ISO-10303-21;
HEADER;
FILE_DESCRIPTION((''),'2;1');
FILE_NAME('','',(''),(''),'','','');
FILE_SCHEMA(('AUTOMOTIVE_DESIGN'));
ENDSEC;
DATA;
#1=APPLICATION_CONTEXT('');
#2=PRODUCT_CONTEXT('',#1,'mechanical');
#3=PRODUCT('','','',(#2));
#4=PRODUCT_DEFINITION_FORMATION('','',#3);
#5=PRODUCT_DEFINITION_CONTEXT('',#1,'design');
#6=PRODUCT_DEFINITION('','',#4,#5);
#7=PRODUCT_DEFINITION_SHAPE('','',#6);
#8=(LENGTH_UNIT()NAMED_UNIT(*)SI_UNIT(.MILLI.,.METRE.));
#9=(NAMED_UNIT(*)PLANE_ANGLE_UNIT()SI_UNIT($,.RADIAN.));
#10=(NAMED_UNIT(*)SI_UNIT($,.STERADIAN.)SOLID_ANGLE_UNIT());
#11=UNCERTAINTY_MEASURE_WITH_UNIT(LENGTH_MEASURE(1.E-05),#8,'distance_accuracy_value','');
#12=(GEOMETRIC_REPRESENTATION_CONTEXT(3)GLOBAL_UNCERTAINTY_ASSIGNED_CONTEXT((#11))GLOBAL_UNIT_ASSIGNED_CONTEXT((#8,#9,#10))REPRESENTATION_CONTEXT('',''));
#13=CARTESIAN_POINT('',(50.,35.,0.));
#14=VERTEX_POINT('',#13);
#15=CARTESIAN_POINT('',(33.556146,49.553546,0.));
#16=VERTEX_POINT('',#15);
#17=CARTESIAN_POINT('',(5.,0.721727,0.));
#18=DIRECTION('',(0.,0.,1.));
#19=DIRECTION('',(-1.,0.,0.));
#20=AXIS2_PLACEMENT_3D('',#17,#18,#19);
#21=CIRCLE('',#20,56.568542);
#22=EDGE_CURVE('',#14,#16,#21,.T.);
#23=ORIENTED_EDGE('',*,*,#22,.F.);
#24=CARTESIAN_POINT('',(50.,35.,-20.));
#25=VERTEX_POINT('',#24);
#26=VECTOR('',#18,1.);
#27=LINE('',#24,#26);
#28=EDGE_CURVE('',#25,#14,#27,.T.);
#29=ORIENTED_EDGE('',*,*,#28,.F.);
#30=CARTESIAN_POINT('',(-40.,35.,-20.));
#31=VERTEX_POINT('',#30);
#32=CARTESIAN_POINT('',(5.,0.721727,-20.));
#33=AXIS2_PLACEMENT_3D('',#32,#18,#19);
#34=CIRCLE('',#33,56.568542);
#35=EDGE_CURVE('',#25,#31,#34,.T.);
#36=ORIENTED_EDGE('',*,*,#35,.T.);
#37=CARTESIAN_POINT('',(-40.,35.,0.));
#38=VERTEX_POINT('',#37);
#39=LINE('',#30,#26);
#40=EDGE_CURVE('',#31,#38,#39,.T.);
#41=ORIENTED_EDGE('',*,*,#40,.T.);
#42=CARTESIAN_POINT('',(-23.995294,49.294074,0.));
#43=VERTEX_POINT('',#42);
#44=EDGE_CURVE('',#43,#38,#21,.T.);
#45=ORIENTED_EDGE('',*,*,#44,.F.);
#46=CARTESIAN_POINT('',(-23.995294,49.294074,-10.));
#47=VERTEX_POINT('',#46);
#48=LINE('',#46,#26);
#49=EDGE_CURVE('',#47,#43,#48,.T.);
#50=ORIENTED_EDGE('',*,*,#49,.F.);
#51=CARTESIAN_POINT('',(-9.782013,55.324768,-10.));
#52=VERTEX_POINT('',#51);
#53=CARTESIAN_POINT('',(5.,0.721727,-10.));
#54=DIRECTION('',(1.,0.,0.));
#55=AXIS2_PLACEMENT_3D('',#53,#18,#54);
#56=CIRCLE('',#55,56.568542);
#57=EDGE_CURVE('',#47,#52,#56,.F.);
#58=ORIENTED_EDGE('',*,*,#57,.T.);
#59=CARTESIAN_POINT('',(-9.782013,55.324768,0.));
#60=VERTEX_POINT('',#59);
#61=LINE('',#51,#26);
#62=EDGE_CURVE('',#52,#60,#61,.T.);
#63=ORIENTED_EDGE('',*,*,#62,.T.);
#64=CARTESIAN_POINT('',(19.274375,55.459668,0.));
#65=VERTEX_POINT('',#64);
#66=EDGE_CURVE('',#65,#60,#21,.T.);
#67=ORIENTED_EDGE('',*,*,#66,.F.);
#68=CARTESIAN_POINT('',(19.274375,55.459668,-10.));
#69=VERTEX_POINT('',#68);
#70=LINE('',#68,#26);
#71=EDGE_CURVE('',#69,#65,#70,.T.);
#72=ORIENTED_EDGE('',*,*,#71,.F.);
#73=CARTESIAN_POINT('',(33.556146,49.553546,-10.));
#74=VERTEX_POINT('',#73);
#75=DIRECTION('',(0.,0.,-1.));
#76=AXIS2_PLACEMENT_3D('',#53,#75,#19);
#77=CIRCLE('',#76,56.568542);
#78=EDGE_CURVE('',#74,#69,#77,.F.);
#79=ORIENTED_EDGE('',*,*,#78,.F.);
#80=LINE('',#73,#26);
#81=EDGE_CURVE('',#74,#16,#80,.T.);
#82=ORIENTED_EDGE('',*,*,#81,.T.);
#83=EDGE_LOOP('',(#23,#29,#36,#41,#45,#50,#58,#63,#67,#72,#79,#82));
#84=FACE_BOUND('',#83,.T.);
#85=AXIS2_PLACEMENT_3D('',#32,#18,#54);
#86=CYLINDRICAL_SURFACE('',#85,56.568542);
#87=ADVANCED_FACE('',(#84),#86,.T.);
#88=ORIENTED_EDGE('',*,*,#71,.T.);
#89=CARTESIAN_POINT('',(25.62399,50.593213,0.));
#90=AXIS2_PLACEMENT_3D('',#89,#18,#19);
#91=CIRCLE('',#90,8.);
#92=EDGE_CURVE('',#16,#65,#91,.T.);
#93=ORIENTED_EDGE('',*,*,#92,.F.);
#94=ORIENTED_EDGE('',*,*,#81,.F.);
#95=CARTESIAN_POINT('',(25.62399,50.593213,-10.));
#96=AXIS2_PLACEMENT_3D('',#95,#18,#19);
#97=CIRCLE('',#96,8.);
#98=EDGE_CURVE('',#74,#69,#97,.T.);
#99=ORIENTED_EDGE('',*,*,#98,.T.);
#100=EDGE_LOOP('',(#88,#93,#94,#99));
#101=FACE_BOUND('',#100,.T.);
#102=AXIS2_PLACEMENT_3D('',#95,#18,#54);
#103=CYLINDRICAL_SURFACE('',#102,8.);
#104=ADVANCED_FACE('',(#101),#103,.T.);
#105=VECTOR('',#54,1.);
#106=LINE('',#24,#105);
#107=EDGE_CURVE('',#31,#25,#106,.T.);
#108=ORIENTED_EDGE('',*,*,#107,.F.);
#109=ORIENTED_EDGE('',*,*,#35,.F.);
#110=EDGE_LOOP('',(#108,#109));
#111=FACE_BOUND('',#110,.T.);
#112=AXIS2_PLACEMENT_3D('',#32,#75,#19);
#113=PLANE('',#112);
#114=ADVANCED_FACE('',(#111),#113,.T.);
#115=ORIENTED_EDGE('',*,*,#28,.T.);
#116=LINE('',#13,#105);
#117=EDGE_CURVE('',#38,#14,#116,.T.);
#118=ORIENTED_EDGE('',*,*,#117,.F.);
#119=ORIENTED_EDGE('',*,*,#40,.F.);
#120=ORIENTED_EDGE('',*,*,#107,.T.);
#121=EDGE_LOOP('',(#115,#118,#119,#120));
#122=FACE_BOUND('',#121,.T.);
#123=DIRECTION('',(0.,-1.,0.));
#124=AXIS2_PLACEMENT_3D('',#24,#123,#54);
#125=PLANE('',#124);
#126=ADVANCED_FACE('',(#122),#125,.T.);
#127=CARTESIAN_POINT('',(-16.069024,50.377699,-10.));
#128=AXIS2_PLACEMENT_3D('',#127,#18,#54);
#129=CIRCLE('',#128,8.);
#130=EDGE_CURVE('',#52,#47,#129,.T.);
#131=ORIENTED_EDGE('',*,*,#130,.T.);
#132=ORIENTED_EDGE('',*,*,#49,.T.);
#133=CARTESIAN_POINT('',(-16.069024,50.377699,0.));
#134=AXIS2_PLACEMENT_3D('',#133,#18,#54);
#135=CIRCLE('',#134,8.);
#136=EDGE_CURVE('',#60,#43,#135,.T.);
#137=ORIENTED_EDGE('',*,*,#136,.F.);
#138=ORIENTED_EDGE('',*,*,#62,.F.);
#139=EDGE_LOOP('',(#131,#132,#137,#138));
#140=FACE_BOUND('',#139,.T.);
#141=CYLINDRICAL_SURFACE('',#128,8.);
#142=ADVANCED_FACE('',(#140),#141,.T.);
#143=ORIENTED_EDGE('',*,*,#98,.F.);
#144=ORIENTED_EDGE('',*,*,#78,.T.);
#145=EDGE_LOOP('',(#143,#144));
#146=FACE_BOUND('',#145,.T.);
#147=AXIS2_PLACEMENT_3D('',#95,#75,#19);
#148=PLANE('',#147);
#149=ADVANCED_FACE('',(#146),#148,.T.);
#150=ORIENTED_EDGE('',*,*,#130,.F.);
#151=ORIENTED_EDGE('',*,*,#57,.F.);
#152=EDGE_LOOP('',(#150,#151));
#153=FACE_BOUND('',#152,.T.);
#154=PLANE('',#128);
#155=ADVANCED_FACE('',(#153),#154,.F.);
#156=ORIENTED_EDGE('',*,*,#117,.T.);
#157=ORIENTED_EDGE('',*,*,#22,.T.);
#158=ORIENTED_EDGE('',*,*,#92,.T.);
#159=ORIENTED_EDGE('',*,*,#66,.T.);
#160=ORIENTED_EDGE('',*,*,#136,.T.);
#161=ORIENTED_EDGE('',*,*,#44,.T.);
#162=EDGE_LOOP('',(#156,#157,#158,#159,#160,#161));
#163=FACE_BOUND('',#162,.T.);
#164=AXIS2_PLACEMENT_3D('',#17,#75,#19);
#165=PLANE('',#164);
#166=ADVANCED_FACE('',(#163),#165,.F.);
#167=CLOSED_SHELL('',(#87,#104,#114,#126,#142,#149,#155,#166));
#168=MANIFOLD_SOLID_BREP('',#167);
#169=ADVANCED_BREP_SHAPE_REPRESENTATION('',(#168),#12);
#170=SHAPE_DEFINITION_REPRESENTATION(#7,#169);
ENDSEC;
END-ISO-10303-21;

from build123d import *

# Parameters (mm, degrees)
BOSS_EXTRUDE2_DEPTH = 20
BOSS_EXTRUDE3_DEPTH = 10


with BuildPart() as part:
    # Sketch1 → Boss-Extrude2 (new body)
    with BuildSketch(Plane.XY):
        with BuildLine():
            Line((50, 35), (-40, 35))
            ThreePointArc((-40, 35), (5, 57.290269493), (50, 35))
        make_face()
    extrude(amount=-BOSS_EXTRUDE2_DEPTH)

    # Sketch3 → Boss-Extrude3 (add)
    with BuildSketch(Plane.XY):
        with BuildLine():
            Line((-23.995294076, 49.29407429), (-9.782013153, 55.324768004))
            ThreePointArc((-9.782013153, 55.324768004), (-19.193781446, 57.742200687), (-23.995294076, 49.29407429))
        make_face()
        with BuildLine():
            Line((19.274375244, 55.45966824), (33.55614581, 49.553545892))
            ThreePointArc((33.55614581, 49.553545892), (28.681224063, 57.986001061), (19.274375244, 55.45966824))
        make_face()
    extrude(amount=-BOSS_EXTRUDE3_DEPTH)


solid = part.part
